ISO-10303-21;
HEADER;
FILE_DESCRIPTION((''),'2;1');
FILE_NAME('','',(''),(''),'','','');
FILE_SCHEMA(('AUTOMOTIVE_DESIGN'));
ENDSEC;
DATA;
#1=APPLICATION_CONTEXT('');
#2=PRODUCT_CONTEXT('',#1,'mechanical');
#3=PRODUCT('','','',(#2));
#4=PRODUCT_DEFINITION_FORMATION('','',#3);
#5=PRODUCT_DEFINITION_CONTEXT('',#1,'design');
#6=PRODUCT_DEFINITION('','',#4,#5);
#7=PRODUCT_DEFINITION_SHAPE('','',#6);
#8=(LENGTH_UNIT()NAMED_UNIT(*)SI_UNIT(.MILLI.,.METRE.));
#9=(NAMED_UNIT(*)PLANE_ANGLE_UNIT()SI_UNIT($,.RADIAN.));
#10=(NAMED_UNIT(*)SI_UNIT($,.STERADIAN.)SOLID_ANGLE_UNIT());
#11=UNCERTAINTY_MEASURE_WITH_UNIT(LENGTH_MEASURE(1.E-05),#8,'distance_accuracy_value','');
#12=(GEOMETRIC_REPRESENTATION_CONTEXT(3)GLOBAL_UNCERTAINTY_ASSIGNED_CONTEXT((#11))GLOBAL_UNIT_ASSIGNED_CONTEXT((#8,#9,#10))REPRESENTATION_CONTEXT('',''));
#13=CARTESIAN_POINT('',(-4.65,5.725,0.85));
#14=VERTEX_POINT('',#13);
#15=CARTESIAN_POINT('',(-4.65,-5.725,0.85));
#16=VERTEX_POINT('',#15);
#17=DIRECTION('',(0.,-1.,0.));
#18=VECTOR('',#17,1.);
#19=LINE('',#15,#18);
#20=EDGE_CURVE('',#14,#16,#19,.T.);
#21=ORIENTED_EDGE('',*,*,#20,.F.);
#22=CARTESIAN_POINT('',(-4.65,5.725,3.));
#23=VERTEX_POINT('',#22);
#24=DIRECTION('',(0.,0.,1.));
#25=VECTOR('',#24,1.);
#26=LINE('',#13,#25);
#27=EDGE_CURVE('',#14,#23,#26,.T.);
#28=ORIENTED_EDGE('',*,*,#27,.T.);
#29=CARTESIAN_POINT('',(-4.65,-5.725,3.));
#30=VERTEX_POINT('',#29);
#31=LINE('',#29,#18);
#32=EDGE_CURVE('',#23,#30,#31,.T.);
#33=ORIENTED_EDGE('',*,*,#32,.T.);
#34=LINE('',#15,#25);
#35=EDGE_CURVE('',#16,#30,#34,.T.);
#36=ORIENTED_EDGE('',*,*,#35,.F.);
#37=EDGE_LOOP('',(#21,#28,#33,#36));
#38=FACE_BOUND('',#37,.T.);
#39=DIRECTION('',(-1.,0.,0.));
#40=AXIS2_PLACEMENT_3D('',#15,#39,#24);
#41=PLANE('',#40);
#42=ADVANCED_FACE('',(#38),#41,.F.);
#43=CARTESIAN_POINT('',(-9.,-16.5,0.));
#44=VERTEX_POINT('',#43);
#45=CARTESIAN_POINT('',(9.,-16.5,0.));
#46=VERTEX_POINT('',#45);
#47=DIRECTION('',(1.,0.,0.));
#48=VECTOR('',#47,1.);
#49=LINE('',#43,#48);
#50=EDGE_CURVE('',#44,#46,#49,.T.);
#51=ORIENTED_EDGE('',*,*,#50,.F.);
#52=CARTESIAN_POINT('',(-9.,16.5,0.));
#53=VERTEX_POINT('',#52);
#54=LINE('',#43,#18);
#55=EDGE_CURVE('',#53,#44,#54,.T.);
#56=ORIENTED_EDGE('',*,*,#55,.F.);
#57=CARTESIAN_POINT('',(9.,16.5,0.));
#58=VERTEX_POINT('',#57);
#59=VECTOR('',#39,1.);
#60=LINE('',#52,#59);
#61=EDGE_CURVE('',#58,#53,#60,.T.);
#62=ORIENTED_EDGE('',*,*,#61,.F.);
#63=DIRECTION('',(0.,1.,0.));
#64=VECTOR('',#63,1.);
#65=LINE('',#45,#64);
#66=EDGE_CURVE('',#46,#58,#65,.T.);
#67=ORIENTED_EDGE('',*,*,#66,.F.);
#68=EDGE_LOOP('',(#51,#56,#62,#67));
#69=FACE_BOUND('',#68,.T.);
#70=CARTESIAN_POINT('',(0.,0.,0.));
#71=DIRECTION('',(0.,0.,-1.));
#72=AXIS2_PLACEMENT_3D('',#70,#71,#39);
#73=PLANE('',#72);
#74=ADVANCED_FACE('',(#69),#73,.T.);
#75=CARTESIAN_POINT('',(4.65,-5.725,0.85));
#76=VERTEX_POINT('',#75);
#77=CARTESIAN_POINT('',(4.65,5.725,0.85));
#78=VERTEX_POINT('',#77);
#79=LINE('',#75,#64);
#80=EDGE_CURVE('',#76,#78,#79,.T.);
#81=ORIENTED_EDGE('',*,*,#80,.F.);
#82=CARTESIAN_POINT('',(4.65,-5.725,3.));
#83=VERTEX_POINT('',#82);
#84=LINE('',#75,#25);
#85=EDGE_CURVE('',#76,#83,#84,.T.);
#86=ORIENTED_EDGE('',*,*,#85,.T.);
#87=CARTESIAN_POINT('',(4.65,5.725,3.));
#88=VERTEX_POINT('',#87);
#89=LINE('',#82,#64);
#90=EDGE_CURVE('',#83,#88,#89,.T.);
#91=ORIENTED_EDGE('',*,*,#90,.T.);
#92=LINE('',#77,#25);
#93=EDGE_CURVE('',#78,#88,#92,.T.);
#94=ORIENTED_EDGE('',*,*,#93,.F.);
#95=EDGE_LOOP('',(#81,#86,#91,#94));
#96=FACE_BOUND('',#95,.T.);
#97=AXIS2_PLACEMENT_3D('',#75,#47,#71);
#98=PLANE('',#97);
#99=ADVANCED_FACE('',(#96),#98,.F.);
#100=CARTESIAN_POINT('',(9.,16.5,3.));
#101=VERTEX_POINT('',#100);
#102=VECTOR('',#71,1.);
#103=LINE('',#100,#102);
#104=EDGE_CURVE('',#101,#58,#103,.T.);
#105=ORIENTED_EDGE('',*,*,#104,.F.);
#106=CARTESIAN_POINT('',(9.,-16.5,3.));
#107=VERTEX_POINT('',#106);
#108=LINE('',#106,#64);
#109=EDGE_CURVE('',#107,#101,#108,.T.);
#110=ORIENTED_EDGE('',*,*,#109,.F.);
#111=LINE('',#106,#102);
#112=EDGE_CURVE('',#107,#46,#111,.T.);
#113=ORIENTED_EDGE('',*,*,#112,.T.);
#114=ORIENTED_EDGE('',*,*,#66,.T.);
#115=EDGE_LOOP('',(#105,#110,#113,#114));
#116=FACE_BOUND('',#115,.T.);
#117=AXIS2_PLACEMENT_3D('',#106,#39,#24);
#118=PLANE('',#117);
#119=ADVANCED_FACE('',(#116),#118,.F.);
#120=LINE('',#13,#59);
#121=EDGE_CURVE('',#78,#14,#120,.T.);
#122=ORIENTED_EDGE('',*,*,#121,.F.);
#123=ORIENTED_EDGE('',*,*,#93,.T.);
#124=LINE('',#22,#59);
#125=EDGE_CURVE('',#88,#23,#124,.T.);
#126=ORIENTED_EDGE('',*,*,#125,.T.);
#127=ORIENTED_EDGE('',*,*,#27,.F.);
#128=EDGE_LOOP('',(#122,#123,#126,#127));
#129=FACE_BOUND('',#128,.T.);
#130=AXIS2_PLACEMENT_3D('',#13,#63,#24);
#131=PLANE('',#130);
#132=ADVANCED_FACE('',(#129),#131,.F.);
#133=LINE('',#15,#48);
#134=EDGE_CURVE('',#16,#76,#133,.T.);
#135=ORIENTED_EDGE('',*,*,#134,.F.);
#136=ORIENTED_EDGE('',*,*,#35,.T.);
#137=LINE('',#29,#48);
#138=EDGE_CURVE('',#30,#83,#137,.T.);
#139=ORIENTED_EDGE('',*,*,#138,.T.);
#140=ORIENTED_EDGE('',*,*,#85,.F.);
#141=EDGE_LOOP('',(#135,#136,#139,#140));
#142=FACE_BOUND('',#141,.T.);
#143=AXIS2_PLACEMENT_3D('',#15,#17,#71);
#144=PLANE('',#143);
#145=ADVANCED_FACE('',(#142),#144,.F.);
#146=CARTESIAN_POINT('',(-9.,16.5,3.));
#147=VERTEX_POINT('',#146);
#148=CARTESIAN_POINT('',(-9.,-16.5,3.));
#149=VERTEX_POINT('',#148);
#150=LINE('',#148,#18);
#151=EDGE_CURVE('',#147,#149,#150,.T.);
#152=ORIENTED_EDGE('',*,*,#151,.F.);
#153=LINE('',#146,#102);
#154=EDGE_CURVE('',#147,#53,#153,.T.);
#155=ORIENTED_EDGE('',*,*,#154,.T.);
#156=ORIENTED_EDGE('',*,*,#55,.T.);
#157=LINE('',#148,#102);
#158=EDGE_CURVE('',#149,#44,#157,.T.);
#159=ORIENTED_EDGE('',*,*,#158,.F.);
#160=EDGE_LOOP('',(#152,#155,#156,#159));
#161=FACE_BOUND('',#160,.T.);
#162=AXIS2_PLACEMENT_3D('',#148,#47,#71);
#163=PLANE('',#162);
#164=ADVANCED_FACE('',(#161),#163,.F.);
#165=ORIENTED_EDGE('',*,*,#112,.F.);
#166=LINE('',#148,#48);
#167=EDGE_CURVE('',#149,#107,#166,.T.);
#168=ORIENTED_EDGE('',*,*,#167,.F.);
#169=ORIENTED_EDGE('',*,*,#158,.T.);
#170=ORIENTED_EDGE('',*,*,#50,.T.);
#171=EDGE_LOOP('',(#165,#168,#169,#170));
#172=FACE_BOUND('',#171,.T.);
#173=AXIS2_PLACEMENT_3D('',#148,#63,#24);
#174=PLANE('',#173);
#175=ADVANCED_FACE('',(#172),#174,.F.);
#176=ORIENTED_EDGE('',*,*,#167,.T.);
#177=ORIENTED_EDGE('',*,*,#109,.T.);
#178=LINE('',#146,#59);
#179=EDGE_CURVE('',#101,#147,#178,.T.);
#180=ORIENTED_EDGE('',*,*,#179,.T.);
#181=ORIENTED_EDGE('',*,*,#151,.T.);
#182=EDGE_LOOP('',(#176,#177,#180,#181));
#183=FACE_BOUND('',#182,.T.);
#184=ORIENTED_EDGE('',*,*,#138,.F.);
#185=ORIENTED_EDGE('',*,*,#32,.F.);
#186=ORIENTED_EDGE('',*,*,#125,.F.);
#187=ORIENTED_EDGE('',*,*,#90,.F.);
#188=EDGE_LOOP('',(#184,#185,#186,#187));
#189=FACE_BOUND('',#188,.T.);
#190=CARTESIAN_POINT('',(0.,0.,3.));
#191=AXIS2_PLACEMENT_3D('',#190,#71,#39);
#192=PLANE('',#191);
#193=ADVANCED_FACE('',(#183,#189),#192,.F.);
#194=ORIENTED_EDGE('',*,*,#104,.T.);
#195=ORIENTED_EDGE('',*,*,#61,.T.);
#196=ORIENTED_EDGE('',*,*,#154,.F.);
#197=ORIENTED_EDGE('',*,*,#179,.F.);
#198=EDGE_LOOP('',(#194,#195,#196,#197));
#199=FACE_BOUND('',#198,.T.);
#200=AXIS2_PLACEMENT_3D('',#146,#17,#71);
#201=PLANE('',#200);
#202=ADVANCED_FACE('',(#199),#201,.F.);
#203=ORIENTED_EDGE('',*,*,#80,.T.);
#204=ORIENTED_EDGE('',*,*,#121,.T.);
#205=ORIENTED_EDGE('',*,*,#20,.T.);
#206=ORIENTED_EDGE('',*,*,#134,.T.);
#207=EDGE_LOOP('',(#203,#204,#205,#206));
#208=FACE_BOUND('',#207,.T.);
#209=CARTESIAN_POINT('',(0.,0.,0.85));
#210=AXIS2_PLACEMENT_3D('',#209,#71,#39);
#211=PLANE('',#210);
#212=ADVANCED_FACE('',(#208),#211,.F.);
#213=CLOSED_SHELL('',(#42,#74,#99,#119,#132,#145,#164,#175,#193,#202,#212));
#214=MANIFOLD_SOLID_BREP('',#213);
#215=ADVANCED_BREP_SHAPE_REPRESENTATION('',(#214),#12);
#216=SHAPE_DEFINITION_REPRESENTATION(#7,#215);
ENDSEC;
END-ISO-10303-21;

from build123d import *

# Parameters (mm, degrees)
SKETCH_1_W          = 18
SKETCH_1_H          = 33
EXTRUDE_1_DEPTH     = 3
SKETCH_2_W          = 9.3
SKETCH_2_H          = 11.45
CUT_EXTRUDE_1_DEPTH = 2.15


with BuildPart() as part:
    # 스케치1 → 보스-돌출1 (new body)
    with BuildSketch(Plane.XY):
        Rectangle(SKETCH_1_W, SKETCH_1_H)
    extrude(amount=EXTRUDE_1_DEPTH)

    # 스케치2 → 컷-돌출1 (cut)
    with BuildSketch(Plane.XY.offset(3)):
        Rectangle(SKETCH_2_W, SKETCH_2_H)
    extrude(amount=-CUT_EXTRUDE_1_DEPTH, mode=Mode.SUBTRACT)


solid = part.part
